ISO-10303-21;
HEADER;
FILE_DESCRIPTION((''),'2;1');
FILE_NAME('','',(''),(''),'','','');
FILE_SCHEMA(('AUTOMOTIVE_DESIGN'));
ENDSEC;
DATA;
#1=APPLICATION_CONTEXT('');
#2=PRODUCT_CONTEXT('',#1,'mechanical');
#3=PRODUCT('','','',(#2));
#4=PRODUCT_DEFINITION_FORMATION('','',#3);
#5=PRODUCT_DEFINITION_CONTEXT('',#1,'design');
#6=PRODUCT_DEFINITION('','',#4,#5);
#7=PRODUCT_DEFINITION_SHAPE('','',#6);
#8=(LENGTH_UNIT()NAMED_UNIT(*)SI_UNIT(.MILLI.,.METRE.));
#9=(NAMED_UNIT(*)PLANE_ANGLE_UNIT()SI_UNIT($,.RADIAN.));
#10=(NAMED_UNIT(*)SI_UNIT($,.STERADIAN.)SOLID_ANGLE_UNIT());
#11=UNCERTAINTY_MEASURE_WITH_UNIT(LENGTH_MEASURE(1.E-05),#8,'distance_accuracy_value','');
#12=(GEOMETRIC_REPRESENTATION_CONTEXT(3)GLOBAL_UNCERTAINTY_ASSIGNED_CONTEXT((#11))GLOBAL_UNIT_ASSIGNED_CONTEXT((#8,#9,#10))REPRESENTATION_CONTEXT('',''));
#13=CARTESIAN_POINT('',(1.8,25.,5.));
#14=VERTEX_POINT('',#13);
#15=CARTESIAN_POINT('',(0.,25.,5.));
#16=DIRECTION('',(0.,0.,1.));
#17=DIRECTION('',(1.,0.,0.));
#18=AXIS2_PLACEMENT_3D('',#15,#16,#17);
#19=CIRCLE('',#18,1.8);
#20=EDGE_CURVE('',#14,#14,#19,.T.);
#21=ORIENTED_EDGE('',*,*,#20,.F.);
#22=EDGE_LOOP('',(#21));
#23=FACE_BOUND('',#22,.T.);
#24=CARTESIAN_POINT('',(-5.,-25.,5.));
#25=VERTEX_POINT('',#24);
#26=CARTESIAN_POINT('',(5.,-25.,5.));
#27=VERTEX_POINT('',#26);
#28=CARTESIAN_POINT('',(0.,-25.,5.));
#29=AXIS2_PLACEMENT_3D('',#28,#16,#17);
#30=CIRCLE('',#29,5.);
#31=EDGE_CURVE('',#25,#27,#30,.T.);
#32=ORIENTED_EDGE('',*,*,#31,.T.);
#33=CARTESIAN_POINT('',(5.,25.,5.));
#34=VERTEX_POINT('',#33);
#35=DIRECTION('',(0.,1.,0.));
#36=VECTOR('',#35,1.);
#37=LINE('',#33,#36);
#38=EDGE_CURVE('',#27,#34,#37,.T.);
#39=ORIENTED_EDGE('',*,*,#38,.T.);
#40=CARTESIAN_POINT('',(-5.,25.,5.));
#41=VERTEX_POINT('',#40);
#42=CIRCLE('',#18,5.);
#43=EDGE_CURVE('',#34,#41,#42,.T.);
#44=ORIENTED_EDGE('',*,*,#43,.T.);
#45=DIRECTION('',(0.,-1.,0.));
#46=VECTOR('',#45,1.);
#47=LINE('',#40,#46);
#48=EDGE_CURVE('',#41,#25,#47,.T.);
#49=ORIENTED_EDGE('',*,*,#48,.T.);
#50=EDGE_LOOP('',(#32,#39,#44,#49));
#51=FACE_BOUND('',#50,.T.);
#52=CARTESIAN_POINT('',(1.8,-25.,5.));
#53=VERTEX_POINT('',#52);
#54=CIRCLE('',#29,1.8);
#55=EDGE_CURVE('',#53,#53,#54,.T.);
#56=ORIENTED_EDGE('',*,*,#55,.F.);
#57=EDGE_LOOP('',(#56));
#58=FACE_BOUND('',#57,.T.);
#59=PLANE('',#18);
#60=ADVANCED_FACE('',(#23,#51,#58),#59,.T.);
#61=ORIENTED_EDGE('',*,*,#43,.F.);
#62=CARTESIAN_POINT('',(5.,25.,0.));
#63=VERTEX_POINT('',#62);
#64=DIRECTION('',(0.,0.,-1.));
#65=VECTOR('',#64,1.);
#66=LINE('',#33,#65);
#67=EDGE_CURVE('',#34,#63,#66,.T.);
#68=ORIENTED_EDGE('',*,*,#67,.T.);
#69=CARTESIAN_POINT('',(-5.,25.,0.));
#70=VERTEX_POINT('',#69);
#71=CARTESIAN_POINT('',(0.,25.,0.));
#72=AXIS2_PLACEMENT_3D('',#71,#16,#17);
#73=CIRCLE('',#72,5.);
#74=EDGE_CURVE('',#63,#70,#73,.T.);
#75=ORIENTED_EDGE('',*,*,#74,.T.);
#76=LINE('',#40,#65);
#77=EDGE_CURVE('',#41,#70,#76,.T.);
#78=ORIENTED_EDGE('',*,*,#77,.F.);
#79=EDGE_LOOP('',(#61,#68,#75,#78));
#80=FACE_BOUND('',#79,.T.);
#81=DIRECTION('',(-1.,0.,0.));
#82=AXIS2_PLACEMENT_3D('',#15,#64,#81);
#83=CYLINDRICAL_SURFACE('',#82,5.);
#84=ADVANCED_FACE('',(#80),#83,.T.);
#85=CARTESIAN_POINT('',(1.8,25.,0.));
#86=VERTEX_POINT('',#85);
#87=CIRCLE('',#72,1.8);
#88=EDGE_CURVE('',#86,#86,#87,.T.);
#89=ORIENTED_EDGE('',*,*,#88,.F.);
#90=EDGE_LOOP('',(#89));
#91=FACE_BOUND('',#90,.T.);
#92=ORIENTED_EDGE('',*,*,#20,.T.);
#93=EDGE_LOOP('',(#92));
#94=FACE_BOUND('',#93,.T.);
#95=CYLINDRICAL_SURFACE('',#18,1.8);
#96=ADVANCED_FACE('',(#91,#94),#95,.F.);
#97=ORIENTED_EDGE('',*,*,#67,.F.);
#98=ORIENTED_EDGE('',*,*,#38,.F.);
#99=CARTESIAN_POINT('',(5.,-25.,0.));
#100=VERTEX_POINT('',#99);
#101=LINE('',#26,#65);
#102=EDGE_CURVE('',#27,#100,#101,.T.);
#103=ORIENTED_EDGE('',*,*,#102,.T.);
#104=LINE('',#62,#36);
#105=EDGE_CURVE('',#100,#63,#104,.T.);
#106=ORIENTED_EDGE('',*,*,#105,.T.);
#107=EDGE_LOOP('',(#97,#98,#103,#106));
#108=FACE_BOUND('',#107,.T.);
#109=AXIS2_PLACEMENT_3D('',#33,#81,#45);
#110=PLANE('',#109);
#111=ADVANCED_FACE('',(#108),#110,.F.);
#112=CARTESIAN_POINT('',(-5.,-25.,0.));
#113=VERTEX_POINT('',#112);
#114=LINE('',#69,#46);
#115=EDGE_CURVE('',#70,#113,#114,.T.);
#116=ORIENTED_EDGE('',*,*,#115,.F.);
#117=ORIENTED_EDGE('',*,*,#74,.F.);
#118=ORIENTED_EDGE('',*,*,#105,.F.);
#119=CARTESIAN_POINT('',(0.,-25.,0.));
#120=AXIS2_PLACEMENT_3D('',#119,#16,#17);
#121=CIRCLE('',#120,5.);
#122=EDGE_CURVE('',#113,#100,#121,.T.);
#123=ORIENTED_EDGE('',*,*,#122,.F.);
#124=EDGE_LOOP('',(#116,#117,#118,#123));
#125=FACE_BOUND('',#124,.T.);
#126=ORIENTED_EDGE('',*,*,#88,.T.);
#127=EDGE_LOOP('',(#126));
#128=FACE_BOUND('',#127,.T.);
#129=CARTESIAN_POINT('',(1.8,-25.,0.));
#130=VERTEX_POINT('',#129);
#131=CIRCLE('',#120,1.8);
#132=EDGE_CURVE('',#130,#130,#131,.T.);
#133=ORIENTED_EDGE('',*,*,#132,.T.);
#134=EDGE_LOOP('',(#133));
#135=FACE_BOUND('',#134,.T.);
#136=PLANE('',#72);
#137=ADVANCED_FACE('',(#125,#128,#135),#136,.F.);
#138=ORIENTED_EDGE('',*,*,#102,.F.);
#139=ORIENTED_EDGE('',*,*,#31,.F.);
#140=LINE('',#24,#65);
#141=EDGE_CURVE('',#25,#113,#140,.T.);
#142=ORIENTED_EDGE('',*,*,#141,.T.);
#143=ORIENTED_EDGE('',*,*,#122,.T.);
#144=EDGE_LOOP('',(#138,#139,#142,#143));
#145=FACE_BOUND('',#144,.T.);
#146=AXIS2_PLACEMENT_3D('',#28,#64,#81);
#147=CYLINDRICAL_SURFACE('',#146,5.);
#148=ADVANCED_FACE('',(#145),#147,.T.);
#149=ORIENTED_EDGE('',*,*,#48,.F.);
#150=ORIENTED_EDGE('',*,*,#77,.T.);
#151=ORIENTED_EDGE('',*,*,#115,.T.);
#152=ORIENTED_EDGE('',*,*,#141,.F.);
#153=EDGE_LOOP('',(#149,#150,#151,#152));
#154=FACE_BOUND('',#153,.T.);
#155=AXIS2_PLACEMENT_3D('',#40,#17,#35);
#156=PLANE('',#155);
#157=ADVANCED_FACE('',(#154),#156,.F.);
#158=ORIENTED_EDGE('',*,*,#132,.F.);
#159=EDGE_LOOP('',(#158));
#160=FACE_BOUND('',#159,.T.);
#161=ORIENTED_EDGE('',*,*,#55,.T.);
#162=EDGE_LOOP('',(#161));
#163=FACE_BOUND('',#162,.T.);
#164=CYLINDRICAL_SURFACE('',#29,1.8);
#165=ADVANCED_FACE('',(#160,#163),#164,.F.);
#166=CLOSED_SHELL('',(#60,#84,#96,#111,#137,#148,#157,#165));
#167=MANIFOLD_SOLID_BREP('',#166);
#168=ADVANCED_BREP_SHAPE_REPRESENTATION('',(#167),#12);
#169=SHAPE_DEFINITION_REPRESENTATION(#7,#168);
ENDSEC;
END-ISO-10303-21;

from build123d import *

# Parameters (mm, degrees)
BOSS_EXTRUDE1_DEPTH  = 5
M3_CLEARANCE_HOLE1_D = 3.6


with BuildPart() as part:
    # Sketch1 → Boss-Extrude1 (new body)
    with BuildSketch(Plane.XY):
        with BuildLine():
            Line((5, 25), (5, -25))
            ThreePointArc((5, -25), (0, -30), (-5, -25))
            Line((-5, -25), (-5, 25))
            ThreePointArc((-5, 25), (0, 30), (5, 25))
        make_face()
    extrude(amount=BOSS_EXTRUDE1_DEPTH)

    # M3 Clearance Hole1 (through all)
    with Locations(Plane.XY.offset(5)):
        with Locations((0, 25), (0, -25)):
            Hole(M3_CLEARANCE_HOLE1_D / 2)


solid = part.part
